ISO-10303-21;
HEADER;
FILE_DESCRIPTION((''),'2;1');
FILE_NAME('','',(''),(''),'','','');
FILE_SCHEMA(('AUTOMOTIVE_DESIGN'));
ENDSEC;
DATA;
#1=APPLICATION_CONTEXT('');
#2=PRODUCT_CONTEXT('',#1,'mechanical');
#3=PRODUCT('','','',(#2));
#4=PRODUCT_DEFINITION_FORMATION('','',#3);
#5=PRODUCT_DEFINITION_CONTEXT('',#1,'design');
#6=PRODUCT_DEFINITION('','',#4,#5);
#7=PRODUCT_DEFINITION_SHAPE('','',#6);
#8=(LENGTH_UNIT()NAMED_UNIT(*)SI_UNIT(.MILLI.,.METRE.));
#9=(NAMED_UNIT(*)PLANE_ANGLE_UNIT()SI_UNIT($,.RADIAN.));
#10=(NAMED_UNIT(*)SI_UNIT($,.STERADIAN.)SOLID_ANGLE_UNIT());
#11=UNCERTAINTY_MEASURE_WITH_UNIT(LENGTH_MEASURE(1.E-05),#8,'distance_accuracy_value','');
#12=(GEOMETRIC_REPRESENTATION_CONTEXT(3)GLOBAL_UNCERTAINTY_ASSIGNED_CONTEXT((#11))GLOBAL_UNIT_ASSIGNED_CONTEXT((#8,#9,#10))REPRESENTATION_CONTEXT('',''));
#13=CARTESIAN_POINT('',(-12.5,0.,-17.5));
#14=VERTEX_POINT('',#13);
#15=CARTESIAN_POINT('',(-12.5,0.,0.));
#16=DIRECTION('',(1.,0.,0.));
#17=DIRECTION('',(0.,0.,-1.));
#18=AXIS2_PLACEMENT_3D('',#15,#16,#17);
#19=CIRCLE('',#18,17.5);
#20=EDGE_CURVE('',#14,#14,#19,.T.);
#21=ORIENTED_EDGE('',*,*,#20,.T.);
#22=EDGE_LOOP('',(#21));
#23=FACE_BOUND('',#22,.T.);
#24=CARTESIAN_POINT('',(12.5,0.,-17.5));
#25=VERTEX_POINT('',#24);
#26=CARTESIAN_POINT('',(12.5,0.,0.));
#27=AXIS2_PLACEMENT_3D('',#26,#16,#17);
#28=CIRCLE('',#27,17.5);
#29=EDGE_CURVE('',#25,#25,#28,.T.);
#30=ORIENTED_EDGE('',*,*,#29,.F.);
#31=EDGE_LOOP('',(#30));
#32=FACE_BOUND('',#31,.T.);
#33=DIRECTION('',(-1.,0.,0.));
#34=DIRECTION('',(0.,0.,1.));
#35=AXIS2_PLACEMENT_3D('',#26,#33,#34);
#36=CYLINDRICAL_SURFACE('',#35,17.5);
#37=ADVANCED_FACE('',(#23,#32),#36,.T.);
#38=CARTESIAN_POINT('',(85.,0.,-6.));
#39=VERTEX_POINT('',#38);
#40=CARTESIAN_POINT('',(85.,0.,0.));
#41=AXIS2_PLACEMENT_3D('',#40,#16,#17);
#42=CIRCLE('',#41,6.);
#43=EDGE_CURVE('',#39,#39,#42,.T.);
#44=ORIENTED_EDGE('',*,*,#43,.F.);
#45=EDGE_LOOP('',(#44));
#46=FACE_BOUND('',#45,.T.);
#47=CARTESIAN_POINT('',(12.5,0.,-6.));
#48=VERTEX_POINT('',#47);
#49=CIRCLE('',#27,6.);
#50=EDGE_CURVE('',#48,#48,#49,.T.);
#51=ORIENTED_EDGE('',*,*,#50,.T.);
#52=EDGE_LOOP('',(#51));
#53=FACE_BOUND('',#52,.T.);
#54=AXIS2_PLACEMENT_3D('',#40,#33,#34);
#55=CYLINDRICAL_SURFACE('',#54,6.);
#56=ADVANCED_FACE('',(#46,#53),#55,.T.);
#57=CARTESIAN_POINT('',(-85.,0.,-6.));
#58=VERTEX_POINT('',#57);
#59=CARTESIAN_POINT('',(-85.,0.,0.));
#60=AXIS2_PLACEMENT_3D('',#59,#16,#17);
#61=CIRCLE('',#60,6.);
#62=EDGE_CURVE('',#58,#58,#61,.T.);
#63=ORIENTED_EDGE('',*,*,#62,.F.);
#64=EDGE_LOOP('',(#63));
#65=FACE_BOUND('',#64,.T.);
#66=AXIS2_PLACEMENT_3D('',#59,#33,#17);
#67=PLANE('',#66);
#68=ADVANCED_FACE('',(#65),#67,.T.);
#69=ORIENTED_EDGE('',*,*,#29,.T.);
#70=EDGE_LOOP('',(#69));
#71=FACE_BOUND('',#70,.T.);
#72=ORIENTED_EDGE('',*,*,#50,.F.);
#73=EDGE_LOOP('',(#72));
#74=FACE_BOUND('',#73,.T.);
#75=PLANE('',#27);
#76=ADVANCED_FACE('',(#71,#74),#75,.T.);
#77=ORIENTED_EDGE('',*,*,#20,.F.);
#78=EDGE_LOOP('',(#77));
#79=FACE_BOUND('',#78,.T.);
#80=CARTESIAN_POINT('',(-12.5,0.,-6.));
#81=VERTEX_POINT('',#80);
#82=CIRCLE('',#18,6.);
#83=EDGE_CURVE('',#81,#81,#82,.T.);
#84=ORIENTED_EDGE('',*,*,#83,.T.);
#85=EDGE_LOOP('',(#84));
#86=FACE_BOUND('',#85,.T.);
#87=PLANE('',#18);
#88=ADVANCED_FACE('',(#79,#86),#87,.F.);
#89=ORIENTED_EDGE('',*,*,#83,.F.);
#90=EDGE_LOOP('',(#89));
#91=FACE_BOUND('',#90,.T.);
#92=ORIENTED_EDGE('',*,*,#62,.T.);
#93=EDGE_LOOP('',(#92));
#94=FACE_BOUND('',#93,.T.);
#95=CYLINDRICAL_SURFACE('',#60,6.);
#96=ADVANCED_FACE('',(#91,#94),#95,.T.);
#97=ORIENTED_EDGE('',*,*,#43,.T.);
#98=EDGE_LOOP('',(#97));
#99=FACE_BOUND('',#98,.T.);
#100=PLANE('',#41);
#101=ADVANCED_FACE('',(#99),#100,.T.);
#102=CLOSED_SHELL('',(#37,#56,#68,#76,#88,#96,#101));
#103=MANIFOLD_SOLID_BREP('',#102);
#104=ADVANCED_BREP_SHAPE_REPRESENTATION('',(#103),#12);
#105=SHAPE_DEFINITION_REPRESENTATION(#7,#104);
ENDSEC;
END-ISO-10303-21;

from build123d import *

# Parameters (mm, degrees)
CROQUIS1_R              = 17.5
SALIENTE_EXTRUIR1_DEPTH = 12.5
CROQUIS2_R              = 6
SALIENTE_EXTRUIR2_DEPTH = 72.5


with BuildPart() as part:
    # Croquis1 → Saliente-Extruir1 (new body, symmetric)
    with BuildSketch(Plane(origin=(0, 0, 0), x_dir=(0, 0, -1), z_dir=(1, 0, 0))):
        Circle(CROQUIS1_R)
    extrude(amount=SALIENTE_EXTRUIR1_DEPTH, both=True)

    # Croquis2 → Saliente-Extruir2 (add)
    with BuildSketch(Plane(origin=(12.5, 0, 0), x_dir=(0, 0, -1), z_dir=(1, 0, 0))):
        Circle(CROQUIS2_R)
    saliente_extruir2 = extrude(amount=SALIENTE_EXTRUIR2_DEPTH)

    # Simetría1: Saliente-Extruir2 across plane
    add(saliente_extruir2.mirror(Plane(origin=(0, 0, 0), x_dir=(0, 0, 1), z_dir=(1, 0, 0))))


solid = part.part
